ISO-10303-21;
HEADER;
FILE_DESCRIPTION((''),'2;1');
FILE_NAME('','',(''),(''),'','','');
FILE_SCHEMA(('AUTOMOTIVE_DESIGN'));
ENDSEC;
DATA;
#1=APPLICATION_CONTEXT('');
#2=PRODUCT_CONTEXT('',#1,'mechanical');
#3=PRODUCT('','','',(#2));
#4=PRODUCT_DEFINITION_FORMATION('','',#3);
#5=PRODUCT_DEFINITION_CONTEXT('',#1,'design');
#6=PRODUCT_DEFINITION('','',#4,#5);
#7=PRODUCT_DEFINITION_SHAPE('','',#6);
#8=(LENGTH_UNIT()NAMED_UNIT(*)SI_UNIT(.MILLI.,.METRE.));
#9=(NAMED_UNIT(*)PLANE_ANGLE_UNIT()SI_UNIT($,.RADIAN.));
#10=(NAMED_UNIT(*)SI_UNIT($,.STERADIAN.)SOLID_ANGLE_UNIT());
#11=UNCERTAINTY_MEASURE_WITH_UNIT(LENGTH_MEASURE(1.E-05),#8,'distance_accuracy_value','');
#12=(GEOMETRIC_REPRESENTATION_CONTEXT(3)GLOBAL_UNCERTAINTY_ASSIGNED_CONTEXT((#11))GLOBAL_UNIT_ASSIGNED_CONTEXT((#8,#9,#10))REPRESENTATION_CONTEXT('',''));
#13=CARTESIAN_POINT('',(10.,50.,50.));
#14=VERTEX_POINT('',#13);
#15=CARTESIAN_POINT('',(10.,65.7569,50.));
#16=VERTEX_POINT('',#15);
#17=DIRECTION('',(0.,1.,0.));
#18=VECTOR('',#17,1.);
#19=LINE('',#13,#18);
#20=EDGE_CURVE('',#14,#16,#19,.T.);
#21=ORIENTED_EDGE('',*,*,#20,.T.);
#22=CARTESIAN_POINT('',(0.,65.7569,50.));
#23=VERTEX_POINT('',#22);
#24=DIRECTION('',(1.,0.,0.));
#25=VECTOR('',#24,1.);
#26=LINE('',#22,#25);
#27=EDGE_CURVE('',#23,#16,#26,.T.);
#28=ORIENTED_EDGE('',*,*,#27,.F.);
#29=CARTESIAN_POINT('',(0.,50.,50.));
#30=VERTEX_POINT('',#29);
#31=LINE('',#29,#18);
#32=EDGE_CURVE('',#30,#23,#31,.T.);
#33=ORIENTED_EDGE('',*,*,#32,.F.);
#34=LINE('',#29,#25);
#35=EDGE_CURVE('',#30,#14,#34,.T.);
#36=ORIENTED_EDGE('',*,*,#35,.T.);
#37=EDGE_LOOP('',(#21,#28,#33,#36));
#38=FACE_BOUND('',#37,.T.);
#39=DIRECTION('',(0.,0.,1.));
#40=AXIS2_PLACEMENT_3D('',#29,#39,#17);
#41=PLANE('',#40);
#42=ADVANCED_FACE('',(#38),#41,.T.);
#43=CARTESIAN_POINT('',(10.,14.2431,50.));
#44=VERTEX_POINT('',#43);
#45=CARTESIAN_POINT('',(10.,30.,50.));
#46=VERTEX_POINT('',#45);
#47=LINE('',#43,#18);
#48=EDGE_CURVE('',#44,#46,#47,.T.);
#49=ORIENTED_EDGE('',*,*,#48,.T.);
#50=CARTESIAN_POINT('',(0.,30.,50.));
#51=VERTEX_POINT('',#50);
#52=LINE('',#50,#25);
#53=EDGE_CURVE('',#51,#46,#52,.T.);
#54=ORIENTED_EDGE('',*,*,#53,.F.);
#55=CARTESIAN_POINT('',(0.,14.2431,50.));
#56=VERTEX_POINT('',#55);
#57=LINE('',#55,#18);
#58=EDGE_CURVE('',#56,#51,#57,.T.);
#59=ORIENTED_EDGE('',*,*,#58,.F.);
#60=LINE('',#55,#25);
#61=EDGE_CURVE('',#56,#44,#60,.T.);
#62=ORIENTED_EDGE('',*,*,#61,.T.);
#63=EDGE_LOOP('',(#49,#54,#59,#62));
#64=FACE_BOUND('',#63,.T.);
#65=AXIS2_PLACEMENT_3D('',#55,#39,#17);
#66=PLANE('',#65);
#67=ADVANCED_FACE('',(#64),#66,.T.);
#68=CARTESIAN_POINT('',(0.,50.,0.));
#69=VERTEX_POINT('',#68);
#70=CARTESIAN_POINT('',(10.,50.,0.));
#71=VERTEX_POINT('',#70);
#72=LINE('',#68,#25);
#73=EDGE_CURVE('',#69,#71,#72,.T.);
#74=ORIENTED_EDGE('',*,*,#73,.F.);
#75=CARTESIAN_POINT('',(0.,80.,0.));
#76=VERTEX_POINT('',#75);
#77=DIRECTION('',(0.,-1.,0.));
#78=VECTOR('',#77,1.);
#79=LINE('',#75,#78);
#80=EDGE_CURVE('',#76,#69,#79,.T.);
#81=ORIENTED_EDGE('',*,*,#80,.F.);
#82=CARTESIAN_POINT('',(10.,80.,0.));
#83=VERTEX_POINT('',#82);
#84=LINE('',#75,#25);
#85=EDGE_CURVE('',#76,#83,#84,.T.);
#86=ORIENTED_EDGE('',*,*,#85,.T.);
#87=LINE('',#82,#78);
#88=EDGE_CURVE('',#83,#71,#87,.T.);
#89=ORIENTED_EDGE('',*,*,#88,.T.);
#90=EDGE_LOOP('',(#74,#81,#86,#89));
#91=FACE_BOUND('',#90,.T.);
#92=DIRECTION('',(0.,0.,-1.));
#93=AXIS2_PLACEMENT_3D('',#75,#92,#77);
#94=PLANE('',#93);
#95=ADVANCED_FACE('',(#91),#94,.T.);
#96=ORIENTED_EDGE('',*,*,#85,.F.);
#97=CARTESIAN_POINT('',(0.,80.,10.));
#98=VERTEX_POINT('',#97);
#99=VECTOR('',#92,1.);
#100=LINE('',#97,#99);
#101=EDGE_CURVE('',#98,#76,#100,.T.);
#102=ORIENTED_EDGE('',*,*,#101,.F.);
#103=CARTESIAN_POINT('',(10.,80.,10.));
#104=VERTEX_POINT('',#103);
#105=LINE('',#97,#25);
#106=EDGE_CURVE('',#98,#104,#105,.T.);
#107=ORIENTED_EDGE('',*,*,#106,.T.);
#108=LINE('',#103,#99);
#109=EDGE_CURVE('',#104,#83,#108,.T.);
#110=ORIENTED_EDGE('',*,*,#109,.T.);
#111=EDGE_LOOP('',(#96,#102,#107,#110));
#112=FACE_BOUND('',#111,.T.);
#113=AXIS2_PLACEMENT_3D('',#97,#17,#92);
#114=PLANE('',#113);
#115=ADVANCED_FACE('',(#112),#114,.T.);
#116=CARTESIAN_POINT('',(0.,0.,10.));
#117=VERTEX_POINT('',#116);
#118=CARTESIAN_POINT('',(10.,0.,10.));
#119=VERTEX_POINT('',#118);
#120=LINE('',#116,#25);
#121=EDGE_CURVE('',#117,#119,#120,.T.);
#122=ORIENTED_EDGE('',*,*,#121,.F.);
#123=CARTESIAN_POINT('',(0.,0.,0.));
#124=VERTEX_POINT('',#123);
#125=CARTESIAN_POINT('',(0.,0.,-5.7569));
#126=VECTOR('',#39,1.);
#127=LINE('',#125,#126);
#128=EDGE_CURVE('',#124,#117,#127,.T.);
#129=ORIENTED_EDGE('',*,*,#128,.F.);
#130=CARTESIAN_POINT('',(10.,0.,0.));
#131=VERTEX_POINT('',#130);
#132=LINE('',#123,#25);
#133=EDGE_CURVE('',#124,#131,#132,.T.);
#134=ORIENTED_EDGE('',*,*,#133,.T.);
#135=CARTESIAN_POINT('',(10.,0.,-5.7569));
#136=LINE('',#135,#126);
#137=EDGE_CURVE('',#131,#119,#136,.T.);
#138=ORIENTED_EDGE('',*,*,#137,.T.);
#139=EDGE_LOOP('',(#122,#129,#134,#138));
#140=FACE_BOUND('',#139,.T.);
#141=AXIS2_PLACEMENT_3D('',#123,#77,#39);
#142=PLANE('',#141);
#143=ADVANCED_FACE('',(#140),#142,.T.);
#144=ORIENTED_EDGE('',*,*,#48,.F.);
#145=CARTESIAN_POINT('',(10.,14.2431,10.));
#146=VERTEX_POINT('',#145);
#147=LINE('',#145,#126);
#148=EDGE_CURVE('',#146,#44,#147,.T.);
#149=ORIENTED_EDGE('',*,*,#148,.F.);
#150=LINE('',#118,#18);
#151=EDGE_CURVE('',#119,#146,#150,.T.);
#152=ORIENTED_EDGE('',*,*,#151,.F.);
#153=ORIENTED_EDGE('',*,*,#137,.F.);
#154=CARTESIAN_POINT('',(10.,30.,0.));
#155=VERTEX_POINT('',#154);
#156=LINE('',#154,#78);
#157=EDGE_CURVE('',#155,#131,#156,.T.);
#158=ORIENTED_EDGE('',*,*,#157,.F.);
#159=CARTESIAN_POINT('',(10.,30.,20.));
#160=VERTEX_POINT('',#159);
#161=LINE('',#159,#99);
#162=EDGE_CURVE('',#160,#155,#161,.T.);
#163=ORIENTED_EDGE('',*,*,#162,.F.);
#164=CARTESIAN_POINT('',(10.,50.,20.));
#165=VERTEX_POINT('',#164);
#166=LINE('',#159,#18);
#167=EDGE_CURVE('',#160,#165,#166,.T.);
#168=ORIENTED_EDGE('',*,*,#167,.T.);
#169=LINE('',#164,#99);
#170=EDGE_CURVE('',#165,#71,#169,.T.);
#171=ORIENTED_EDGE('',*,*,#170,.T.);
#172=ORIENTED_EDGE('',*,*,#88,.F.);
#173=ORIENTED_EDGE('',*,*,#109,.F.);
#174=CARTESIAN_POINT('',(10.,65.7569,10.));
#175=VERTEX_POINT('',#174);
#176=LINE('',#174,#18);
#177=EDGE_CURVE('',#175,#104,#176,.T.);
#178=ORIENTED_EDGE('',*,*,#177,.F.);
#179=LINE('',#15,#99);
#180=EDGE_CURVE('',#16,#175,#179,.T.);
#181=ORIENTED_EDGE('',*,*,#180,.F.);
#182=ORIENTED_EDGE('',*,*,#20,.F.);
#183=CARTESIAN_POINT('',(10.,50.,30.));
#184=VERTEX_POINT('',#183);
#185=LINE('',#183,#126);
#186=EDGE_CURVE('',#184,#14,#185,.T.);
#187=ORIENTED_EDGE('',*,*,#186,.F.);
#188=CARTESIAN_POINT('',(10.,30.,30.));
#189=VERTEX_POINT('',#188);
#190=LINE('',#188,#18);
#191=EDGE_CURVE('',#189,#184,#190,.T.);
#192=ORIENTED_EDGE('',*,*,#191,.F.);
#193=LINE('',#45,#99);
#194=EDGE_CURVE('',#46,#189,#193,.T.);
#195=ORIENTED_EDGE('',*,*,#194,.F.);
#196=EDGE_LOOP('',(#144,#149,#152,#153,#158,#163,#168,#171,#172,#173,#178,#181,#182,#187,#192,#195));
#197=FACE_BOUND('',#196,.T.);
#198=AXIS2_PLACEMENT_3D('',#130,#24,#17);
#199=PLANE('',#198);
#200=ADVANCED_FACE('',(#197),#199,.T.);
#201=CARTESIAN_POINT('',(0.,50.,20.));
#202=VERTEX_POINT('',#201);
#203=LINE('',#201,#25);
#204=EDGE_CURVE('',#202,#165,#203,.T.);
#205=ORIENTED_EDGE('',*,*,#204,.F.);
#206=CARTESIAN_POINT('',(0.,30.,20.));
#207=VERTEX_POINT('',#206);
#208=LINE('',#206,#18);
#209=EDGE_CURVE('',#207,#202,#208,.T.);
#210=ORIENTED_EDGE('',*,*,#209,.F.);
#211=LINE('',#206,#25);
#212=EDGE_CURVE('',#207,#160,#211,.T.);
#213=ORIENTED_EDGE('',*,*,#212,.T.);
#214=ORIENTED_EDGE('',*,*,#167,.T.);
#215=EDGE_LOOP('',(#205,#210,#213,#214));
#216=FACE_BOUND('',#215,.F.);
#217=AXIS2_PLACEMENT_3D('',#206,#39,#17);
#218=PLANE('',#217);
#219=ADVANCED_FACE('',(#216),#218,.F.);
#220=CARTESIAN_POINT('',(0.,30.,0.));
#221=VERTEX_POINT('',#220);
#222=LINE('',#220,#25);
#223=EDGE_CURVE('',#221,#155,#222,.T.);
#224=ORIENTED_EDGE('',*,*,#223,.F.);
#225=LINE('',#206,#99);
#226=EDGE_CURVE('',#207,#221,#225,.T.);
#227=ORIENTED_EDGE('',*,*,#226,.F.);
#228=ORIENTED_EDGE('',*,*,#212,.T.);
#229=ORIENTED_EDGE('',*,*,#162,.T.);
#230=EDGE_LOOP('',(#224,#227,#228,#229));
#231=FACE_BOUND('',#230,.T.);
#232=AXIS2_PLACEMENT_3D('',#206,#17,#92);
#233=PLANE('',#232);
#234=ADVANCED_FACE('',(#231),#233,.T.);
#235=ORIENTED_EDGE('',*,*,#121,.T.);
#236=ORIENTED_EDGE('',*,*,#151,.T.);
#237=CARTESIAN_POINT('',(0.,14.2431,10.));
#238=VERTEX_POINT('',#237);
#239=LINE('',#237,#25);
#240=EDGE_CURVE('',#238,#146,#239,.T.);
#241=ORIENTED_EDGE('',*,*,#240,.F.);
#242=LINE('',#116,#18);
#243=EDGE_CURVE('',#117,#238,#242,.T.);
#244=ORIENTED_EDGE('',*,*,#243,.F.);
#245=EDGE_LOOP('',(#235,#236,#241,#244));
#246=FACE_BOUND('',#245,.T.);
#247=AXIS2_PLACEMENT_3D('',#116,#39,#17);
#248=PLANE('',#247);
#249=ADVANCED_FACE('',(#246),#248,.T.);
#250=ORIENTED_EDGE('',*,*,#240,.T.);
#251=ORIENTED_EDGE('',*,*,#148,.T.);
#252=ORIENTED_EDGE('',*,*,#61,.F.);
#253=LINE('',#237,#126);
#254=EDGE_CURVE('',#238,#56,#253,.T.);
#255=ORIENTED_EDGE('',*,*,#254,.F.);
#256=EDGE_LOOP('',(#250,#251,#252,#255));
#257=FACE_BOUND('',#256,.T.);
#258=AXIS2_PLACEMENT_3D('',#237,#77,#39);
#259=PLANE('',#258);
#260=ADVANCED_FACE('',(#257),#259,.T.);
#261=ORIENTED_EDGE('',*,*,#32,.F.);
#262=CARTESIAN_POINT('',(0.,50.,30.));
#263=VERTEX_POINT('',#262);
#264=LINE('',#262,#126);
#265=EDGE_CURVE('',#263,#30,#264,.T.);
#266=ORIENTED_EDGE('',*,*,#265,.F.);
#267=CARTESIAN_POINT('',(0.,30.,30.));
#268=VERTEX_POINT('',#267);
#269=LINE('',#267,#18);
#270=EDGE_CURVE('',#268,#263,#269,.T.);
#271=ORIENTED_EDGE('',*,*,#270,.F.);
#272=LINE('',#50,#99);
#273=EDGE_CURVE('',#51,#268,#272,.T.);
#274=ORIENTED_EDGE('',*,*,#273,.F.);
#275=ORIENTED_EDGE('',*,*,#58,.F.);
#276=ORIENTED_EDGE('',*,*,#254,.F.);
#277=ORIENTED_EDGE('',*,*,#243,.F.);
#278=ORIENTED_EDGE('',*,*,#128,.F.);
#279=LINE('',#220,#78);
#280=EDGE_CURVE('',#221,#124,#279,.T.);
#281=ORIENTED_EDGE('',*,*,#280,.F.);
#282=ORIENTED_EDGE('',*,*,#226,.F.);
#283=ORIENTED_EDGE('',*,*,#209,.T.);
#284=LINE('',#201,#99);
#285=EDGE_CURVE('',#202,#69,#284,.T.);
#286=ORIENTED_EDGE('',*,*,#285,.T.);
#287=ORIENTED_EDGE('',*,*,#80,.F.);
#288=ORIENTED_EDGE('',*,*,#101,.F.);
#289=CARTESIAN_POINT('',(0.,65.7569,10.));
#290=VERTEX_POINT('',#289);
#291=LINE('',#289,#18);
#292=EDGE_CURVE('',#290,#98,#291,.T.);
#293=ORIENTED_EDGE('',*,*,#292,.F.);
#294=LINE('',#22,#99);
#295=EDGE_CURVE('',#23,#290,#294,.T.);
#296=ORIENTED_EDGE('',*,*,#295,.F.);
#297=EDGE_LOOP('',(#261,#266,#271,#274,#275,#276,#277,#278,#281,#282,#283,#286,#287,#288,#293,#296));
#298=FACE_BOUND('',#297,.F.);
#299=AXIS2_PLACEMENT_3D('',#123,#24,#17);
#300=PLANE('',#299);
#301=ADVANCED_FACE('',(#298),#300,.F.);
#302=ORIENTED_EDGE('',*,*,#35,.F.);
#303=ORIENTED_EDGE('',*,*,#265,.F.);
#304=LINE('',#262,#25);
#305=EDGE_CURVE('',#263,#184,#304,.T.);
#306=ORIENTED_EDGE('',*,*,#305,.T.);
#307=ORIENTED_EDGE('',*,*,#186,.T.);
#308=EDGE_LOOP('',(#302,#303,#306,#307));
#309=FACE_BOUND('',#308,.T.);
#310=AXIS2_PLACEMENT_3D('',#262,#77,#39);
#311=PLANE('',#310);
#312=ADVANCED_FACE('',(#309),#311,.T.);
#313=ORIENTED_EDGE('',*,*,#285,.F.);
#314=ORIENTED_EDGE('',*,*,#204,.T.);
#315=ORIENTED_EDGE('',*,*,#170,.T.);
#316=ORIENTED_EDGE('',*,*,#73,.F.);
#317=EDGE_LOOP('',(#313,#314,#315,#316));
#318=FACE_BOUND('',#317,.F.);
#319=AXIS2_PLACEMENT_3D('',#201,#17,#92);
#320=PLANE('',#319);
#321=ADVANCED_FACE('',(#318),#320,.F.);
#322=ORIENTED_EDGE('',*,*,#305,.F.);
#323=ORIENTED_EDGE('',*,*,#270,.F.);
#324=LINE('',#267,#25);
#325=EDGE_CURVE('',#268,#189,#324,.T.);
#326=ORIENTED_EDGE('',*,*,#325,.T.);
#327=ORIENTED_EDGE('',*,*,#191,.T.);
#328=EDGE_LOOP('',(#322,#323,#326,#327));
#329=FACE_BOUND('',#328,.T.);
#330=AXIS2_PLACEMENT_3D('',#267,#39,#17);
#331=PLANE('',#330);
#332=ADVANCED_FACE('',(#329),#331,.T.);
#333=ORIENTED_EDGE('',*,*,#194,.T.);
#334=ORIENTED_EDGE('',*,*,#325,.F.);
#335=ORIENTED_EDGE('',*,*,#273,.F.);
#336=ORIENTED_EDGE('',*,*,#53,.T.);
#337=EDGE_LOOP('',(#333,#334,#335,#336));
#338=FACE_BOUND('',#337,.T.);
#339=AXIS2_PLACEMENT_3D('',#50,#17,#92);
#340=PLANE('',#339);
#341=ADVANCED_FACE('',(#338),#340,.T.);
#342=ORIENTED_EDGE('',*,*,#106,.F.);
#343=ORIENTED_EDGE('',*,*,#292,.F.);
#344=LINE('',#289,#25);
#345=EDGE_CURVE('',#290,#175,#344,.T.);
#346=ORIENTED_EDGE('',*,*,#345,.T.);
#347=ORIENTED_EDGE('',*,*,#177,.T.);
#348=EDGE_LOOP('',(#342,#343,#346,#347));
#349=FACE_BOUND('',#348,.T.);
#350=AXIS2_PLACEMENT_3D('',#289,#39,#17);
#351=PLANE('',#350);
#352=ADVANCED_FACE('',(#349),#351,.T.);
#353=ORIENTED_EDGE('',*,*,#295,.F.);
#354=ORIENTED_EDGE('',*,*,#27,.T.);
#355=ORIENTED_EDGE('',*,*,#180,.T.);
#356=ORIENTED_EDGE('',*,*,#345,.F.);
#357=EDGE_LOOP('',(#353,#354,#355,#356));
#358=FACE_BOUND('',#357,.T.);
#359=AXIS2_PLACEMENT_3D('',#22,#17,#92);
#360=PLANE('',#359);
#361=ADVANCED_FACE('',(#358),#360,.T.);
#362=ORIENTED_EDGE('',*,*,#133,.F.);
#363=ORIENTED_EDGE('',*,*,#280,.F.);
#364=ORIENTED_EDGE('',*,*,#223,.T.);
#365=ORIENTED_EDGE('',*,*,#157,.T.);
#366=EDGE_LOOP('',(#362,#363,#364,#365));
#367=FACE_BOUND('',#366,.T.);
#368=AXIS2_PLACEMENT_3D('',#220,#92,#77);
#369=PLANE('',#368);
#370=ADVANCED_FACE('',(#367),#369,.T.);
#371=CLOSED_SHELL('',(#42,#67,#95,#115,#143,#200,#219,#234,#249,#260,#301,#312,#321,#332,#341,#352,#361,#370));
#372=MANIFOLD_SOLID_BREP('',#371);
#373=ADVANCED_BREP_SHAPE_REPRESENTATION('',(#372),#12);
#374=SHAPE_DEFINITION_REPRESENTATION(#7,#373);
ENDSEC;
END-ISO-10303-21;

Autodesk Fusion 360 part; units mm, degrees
sketch "Sketch1" plane through (0, 0, 0) normal (1, 0, 0) x (0, 1, 0)
  line L0 (0, -5.7569) -> (0, 10)
  line L1 (0, 10) -> (14.2431, 10)
  line L2 (14.2431, 10) -> (14.2431, 50)
  line L3 (14.2431, 50) -> (30, 50)
  line L4 (30, 30) -> (50, 30)
  line L5 (50, 30) -> (50, 50)
  line L6 (50, 50) -> (65.7569, 50)
  line L7 (25, -25) -> (23.7742, -25.0601)
  line L8 (65.7569, 50) -> (65.7569, 10)
  line L9 (65.7569, 10) -> (80, 10)
  line L10 (80, 10) -> (80, 0)
  line L11 (0, -5.7569) -> (0, 0)
  line L12 (30, 50) -> (30, 30)
  line L13 (30, 20) -> (50, 20)
  line L14 (50, 20) -> (50, 0)
  line L15 (30, 20) -> (30, 0)
  line L16 (80, 0) -> (50, 0)
  line L17 (30, 0) -> (0, 0)
  dimension "d1" = 10
  dimension "d2" = 80
  dimension "d3" = 20
  dimension "d4" = 15.7569
  dimension "d5" = 50
  dimension "d6" = 10
  dimension "d7" = 30
extrude "Extrude1" add sketch "Sketch1" along normal blind 10
